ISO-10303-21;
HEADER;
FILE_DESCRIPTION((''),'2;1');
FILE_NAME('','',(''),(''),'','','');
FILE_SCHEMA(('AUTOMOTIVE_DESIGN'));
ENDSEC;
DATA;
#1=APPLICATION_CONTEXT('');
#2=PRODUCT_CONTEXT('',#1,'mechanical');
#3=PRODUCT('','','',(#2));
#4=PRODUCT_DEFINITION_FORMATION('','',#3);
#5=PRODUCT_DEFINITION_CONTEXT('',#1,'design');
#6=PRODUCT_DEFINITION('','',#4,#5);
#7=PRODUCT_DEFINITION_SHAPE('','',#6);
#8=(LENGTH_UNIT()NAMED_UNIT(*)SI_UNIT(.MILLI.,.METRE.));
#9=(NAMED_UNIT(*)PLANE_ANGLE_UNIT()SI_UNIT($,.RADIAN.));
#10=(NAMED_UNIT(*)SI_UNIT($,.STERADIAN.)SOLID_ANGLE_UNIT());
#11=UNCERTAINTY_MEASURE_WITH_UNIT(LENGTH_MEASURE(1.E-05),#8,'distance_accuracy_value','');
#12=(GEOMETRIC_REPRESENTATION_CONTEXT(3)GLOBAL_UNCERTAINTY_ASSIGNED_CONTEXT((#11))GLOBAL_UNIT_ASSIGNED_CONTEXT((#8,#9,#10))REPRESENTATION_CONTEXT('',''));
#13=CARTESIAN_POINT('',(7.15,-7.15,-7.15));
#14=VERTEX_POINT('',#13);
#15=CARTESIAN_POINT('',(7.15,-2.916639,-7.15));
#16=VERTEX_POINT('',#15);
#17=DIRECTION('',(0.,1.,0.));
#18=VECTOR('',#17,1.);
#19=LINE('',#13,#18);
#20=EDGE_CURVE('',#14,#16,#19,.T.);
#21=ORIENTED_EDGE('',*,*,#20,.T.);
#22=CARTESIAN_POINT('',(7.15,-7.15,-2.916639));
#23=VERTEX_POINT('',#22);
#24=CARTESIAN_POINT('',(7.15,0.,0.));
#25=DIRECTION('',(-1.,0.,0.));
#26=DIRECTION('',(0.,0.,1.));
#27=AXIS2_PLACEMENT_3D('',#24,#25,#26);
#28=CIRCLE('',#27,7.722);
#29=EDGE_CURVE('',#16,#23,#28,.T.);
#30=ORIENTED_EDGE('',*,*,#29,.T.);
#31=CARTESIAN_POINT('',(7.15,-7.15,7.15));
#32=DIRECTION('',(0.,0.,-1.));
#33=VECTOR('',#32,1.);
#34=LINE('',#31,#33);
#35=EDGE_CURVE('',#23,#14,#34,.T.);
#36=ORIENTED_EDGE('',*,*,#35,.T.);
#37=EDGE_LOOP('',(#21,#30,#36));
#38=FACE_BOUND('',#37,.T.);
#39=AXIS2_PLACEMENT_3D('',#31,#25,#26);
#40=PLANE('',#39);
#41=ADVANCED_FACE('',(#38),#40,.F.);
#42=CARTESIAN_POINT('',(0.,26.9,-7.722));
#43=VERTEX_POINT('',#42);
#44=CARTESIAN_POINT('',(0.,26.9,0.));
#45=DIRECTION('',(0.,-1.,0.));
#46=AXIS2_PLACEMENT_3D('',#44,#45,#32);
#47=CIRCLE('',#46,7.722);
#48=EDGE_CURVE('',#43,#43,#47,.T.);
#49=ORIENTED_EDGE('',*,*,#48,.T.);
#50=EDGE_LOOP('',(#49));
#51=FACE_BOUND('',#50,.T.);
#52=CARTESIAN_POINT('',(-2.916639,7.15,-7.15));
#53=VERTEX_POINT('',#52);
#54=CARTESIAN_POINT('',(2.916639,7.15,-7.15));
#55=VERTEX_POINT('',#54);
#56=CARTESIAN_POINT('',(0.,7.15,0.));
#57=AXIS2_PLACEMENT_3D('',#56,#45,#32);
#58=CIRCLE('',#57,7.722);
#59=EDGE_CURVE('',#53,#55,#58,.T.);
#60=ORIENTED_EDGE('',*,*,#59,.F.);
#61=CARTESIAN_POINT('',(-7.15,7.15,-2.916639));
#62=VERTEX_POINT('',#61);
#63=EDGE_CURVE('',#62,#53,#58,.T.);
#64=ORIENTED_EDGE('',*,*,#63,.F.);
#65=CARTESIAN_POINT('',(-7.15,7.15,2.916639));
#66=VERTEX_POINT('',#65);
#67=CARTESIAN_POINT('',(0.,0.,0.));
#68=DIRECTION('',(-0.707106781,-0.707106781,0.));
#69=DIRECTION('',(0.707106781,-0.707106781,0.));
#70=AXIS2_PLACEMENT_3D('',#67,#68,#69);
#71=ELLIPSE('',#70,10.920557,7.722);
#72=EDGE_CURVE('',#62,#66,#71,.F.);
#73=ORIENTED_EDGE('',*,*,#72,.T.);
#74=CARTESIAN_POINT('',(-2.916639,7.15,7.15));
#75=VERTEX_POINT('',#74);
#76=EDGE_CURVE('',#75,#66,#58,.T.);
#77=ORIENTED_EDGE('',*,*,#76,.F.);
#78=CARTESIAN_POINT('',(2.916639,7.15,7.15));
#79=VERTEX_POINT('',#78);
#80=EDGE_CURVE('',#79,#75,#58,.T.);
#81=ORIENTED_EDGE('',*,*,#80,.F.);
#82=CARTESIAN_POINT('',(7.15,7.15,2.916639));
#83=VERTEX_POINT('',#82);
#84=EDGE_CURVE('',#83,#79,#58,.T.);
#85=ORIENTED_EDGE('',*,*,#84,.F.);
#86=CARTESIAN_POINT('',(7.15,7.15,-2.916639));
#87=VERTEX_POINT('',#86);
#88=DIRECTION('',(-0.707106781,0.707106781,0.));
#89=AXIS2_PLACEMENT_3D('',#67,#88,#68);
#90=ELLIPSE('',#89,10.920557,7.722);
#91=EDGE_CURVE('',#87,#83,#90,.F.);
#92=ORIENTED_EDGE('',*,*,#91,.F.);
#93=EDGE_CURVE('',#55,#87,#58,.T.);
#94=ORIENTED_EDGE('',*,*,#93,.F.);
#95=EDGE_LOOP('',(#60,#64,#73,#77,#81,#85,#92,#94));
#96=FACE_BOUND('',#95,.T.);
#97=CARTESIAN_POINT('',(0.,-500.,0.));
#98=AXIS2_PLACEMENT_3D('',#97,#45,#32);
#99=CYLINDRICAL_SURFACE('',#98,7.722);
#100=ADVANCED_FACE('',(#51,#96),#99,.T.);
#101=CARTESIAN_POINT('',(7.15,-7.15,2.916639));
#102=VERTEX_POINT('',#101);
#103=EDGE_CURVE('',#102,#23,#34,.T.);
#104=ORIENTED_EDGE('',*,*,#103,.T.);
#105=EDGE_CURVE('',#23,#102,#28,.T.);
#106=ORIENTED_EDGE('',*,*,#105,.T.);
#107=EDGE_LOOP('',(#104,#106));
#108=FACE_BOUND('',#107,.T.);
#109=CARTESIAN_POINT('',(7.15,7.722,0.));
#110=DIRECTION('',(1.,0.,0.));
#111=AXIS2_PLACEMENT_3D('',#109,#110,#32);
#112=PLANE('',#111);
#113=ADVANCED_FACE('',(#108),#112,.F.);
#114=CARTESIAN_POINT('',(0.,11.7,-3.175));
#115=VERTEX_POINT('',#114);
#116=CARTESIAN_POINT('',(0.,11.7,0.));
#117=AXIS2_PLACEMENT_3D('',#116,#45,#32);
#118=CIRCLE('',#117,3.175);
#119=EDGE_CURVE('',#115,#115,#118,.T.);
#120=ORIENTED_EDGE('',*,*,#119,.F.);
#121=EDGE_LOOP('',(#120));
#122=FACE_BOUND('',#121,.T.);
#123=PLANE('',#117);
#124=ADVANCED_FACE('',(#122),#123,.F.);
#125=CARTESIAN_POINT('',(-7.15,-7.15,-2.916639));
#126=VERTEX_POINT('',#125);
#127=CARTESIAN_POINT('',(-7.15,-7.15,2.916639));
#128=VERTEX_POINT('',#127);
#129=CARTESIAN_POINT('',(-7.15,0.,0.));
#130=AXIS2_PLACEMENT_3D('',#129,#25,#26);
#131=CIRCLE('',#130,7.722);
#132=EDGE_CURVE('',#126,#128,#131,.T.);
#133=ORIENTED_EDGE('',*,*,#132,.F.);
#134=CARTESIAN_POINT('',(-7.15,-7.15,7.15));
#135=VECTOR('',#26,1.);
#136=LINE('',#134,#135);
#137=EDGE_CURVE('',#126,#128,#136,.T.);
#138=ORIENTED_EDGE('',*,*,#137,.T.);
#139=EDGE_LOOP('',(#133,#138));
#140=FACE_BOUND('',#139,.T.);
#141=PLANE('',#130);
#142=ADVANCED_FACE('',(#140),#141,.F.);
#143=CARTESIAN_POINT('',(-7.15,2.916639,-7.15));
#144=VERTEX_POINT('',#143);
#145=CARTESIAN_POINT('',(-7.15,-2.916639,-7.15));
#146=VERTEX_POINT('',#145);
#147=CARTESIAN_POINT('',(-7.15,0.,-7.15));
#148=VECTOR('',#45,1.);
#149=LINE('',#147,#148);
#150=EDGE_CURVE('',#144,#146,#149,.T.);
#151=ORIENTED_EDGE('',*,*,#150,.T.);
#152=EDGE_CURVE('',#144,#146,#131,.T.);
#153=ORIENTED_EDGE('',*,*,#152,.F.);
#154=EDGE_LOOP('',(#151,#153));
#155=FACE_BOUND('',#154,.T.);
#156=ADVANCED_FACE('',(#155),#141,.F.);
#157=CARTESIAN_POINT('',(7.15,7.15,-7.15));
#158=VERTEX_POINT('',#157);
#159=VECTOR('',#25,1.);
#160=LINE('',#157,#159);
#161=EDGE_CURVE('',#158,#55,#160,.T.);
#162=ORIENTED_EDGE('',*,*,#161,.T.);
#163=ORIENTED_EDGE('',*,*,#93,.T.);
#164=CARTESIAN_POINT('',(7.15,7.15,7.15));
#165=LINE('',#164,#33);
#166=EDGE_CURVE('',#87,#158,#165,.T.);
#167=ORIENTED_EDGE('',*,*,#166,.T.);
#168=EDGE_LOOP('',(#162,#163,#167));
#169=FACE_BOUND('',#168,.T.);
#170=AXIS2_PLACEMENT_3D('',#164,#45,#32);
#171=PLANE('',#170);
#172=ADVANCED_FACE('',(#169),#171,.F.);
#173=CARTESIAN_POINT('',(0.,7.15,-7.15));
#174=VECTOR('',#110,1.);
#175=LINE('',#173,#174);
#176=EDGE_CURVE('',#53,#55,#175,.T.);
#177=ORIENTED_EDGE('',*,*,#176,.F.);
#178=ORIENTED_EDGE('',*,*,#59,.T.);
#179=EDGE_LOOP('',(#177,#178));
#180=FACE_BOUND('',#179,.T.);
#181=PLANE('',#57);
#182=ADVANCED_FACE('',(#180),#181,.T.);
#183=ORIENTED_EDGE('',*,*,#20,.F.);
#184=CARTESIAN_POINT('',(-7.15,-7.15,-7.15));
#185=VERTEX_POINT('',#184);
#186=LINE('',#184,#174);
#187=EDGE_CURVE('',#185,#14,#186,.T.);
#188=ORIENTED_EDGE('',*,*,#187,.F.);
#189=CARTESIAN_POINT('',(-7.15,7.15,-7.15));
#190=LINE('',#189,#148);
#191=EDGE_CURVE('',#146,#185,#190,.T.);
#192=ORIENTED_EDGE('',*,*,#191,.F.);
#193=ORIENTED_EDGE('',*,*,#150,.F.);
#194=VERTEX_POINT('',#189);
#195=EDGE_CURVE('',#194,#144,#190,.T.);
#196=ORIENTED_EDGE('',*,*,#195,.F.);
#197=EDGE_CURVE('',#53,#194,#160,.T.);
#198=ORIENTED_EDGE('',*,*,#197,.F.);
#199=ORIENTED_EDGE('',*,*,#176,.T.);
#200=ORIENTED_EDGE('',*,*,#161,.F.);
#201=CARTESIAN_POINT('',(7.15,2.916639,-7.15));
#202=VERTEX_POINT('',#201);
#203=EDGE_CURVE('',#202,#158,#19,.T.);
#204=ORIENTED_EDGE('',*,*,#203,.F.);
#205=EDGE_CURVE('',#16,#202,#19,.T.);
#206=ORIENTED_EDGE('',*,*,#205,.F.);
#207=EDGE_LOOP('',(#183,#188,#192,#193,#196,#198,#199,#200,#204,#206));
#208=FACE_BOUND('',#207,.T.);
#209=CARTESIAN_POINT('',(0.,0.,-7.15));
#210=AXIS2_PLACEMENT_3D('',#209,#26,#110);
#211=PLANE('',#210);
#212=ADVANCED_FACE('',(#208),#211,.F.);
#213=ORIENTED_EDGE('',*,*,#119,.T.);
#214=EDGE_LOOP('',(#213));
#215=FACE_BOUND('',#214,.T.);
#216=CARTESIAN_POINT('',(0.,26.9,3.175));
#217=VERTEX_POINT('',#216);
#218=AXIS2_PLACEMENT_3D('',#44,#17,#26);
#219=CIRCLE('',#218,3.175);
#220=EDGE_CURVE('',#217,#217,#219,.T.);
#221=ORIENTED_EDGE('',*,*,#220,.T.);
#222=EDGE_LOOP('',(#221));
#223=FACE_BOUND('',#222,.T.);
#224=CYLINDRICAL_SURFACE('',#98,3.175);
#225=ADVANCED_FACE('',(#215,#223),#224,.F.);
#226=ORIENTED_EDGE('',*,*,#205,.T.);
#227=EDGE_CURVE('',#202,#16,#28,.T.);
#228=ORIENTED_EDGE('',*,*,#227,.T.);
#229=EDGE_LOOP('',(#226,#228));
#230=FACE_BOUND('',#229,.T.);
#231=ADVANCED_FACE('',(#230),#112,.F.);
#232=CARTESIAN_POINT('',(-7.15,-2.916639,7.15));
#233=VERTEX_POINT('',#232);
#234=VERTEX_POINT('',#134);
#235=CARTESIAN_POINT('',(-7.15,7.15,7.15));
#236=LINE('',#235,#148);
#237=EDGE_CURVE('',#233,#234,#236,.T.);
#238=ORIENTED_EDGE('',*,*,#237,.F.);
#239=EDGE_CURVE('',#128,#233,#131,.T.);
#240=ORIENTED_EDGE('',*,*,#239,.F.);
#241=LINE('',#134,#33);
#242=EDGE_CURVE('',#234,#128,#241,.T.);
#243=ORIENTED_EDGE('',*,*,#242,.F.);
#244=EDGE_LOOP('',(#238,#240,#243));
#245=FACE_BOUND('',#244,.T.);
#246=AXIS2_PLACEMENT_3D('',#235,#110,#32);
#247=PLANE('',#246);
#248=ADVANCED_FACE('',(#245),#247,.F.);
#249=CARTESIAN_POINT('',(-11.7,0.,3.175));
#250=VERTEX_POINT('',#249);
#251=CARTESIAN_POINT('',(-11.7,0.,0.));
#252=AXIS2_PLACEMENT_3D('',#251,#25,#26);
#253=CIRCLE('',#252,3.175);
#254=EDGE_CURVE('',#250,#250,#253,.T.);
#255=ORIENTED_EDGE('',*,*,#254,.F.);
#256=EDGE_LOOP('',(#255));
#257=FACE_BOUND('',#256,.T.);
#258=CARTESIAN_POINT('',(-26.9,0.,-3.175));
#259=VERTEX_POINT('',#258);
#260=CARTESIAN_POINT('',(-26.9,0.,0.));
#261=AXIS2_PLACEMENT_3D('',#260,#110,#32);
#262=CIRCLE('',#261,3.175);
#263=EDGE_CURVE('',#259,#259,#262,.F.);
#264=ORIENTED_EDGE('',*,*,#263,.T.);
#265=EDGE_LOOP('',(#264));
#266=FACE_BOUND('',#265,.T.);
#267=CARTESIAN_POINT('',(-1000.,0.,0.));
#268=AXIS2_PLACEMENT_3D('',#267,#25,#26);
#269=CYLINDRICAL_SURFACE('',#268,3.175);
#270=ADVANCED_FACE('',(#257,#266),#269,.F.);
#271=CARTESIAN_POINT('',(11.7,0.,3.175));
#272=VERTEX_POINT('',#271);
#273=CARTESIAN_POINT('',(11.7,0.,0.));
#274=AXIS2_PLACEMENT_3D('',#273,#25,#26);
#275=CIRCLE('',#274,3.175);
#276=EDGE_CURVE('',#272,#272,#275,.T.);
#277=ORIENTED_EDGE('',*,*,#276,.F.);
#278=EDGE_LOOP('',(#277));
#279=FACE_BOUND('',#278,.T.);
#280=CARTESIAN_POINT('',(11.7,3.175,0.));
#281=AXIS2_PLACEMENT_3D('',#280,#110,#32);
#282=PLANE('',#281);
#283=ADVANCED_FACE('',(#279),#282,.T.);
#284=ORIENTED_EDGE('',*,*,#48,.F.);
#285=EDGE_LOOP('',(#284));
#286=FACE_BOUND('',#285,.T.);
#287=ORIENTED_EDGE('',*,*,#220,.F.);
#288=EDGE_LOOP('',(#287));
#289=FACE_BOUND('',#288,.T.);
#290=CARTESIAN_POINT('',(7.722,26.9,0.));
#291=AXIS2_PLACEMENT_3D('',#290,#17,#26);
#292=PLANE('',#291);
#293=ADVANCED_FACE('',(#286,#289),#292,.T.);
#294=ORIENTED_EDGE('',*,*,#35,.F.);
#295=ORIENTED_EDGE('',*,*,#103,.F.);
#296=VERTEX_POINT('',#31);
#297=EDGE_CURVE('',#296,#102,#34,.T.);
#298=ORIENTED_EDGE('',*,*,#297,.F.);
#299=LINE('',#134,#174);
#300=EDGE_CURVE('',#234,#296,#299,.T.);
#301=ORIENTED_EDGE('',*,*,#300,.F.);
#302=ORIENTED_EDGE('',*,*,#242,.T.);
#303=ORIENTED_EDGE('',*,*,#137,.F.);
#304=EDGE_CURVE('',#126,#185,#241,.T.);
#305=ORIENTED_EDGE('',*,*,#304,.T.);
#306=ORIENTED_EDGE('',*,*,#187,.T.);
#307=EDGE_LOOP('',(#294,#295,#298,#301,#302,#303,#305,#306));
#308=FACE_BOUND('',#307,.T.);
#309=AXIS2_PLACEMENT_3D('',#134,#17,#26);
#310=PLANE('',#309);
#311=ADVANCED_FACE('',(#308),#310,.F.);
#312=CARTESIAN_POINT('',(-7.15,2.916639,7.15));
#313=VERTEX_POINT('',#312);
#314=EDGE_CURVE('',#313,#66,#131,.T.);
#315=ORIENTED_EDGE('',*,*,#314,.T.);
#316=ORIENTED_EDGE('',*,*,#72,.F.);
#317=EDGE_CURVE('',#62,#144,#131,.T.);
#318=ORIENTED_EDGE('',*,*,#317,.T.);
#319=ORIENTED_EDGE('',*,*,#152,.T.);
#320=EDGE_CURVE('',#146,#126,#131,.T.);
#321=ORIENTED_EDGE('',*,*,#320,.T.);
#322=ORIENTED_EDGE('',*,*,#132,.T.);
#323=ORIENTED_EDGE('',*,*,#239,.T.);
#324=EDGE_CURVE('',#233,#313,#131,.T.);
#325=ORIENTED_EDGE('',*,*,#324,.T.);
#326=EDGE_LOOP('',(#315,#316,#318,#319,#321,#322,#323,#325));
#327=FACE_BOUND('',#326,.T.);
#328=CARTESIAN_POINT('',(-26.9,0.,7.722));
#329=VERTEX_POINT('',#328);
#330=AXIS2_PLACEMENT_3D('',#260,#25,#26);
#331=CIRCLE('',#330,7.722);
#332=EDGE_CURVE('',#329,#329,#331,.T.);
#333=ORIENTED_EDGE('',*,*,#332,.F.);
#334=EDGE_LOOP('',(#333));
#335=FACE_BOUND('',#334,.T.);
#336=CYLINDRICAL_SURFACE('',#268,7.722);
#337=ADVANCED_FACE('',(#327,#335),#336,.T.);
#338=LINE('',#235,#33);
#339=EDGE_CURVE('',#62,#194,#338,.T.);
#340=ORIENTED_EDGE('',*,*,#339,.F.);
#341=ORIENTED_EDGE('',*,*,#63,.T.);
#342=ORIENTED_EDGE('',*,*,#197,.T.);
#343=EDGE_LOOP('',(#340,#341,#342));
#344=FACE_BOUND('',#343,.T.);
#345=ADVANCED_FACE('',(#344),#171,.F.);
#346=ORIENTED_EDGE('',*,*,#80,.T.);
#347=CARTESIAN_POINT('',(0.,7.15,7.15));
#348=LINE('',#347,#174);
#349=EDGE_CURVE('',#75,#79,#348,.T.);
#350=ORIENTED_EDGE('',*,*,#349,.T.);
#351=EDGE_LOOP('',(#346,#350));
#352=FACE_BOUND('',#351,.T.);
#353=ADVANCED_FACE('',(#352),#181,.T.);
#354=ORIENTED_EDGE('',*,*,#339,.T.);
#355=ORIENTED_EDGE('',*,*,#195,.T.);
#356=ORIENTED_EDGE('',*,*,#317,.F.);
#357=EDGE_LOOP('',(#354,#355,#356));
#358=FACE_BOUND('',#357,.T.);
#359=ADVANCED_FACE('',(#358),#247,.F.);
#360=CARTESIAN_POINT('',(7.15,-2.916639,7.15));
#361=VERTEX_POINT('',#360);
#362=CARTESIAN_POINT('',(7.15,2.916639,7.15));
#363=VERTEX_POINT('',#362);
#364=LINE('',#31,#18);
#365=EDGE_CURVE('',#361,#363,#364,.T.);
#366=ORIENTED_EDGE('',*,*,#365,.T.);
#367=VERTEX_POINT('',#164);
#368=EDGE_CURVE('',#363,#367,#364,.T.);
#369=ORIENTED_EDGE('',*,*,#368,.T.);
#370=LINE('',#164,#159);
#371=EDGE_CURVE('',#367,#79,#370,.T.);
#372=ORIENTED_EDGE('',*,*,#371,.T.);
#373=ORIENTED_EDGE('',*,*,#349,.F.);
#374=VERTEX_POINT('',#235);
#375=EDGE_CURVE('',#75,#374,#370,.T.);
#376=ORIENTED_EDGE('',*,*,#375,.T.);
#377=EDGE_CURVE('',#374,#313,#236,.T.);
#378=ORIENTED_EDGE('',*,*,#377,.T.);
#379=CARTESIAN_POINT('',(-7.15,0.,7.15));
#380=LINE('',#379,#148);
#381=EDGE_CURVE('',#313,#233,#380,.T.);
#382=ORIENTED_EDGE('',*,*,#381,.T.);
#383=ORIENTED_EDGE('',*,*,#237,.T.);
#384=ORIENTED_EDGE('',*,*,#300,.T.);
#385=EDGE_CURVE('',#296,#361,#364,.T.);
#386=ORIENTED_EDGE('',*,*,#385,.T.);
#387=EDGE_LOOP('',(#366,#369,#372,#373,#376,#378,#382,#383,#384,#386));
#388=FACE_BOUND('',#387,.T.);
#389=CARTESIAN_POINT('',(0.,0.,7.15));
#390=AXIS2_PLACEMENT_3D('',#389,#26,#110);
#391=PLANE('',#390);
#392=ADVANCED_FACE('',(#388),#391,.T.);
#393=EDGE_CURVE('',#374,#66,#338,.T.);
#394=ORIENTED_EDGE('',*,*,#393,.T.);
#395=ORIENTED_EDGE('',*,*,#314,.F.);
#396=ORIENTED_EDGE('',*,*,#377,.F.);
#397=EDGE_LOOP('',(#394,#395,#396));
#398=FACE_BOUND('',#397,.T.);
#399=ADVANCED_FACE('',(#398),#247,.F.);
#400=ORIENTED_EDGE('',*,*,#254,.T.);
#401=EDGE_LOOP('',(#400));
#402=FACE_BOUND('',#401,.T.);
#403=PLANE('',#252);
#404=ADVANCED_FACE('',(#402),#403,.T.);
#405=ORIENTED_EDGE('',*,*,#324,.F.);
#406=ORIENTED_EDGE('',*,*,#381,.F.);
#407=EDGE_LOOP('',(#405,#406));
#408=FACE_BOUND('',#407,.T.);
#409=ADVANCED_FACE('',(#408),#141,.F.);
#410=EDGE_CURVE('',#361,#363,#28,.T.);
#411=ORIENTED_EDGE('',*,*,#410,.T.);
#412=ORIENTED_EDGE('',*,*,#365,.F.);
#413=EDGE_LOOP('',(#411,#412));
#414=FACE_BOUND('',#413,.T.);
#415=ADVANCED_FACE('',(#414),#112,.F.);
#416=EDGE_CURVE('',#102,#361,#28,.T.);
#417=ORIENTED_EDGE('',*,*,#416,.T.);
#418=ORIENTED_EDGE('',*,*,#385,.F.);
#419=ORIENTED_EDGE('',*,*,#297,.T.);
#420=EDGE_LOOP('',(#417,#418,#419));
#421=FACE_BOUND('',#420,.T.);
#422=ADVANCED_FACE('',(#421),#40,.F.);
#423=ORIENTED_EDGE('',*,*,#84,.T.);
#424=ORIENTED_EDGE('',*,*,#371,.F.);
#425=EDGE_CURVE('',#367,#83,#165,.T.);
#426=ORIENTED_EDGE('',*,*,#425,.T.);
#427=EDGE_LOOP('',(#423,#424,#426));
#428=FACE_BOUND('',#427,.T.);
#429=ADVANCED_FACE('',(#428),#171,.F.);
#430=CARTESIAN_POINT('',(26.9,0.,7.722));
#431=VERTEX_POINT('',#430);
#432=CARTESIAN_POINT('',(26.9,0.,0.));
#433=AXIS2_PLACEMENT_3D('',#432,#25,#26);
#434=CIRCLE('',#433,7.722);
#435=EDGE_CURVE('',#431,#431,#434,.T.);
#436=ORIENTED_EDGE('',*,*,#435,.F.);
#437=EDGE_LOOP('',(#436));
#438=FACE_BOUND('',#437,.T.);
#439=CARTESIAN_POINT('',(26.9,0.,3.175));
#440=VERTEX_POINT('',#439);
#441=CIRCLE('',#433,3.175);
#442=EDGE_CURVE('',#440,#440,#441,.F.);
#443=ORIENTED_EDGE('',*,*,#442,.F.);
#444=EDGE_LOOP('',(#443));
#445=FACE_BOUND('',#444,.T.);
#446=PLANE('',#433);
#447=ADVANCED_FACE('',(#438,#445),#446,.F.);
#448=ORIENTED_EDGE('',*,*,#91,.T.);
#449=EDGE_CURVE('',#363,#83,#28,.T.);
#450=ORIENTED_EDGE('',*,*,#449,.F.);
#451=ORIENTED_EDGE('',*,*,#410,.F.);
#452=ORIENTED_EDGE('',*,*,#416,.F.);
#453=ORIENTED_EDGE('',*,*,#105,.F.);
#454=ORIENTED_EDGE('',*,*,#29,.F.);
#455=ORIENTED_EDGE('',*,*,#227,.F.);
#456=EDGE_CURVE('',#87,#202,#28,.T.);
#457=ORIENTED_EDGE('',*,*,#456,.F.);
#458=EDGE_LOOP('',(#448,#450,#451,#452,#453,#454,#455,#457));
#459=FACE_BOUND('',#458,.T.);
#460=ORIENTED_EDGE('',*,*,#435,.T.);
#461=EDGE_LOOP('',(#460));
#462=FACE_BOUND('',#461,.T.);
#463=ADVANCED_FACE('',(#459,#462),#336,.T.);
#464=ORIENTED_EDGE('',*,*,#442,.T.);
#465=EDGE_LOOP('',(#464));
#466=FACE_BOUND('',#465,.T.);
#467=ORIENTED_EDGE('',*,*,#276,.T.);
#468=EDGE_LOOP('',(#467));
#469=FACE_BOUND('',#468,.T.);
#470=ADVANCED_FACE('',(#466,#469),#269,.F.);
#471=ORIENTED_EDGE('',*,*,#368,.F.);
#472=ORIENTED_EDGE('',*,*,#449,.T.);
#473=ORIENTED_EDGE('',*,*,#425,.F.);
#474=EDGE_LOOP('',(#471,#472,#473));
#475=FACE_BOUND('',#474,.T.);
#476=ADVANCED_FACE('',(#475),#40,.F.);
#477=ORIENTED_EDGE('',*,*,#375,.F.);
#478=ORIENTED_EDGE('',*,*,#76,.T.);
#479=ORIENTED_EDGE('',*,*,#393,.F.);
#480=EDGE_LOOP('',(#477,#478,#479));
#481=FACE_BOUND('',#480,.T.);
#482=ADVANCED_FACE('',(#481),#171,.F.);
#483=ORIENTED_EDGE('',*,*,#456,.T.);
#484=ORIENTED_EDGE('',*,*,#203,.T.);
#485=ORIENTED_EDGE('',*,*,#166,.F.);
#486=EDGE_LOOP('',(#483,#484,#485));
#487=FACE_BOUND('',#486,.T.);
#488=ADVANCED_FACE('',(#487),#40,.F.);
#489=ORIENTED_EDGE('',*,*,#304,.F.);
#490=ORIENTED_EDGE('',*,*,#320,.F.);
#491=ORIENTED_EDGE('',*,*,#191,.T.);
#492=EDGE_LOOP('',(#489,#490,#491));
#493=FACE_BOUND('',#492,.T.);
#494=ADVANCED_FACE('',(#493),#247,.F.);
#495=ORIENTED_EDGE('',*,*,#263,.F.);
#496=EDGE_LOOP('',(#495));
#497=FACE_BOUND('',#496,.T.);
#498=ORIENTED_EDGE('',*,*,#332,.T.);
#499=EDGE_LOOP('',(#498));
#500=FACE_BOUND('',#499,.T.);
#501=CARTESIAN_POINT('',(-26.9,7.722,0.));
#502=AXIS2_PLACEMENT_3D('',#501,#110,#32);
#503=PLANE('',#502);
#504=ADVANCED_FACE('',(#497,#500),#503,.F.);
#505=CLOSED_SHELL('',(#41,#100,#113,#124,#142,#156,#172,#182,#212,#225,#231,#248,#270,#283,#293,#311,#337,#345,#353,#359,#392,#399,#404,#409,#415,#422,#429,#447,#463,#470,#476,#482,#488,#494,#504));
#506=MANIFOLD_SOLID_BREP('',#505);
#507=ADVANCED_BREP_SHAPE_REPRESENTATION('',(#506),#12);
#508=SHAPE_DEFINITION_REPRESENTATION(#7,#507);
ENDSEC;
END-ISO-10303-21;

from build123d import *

# Parameters (mm, degrees)
BLOCK_SKETCH_W      = 14.3
BLOCK_SKETCH_H      = 14.3
BLOCK_DEPTH         = 7.15
ARM_X_SKETCH_W      = 19.75
ARM_X_SKETCH_H      = 7.722
ARM_Y_SKETCH_W      = 7.722
ARM_Y_SKETCH_H      = 19.75
SOCKET_X_SKETCH_W   = 16.2
SOCKET_X_SKETCH_H   = 3.175
SOCKET_Y_SKETCH_W   = 3.175
SOCKET_Y_SKETCH_H   = 16.2
ARM_X_SKETCH_2_W    = 19.75
ARM_X_SKETCH_2_H    = 7.722
SOCKET_X_SKETCH_2_W = 16.2
SOCKET_X_SKETCH_2_H = 3.175


with BuildPart() as part:
    # Block Sketch → Block (new, symmetric)
    with BuildSketch(Plane.XY):
        Rectangle(BLOCK_SKETCH_W, BLOCK_SKETCH_H)
    extrude(amount=BLOCK_DEPTH, both=True)

    # Arm X Sketch → Arm X (revolve)
    with BuildSketch(Plane.XY):
        with Locations((17.025, 3.861)):
            Rectangle(ARM_X_SKETCH_W, ARM_X_SKETCH_H)
    revolve(axis=Axis((-1000, 0, 0), (1, 0, 0)))

    # Arm Y Sketch → Arm Y (revolve)
    with BuildSketch(Plane.XY):
        with Locations((3.861, 17.025)):
            Rectangle(ARM_Y_SKETCH_W, ARM_Y_SKETCH_H)
    revolve(axis=Axis((0, -500, 0), (0, 1, 0)))

    # Socket X Sketch → Socket X (revolve, cut)
    with BuildSketch(Plane.XY):
        with Locations((19.8, 1.5875)):
            Rectangle(SOCKET_X_SKETCH_W, SOCKET_X_SKETCH_H)
    revolve(axis=Axis((-1000, 0, 0), (1, 0, 0)), mode=Mode.SUBTRACT)

    # Socket Y Sketch → Socket Y (revolve, cut)
    with BuildSketch(Plane.XY):
        with Locations((1.5875, 19.8)):
            Rectangle(SOCKET_Y_SKETCH_W, SOCKET_Y_SKETCH_H)
    revolve(axis=Axis((0, -500, 0), (0, 1, 0)), mode=Mode.SUBTRACT)

    # Arm -X Sketch 2 → Arm -X 2 (revolve)
    with BuildSketch(Plane.XY):
        with Locations((-17.025, 3.861)):
            Rectangle(ARM_X_SKETCH_2_W, ARM_X_SKETCH_2_H)
    revolve(axis=Axis((-1000, 0, 0), (1, 0, 0)))

    # Socket -X Sketch 2 → Socket -X 2 (revolve, cut)
    with BuildSketch(Plane.XY):
        with Locations((-19.8, 1.5875)):
            Rectangle(SOCKET_X_SKETCH_2_W, SOCKET_X_SKETCH_2_H)
    revolve(axis=Axis((-1000, 0, 0), (1, 0, 0)), mode=Mode.SUBTRACT)


solid = part.part
